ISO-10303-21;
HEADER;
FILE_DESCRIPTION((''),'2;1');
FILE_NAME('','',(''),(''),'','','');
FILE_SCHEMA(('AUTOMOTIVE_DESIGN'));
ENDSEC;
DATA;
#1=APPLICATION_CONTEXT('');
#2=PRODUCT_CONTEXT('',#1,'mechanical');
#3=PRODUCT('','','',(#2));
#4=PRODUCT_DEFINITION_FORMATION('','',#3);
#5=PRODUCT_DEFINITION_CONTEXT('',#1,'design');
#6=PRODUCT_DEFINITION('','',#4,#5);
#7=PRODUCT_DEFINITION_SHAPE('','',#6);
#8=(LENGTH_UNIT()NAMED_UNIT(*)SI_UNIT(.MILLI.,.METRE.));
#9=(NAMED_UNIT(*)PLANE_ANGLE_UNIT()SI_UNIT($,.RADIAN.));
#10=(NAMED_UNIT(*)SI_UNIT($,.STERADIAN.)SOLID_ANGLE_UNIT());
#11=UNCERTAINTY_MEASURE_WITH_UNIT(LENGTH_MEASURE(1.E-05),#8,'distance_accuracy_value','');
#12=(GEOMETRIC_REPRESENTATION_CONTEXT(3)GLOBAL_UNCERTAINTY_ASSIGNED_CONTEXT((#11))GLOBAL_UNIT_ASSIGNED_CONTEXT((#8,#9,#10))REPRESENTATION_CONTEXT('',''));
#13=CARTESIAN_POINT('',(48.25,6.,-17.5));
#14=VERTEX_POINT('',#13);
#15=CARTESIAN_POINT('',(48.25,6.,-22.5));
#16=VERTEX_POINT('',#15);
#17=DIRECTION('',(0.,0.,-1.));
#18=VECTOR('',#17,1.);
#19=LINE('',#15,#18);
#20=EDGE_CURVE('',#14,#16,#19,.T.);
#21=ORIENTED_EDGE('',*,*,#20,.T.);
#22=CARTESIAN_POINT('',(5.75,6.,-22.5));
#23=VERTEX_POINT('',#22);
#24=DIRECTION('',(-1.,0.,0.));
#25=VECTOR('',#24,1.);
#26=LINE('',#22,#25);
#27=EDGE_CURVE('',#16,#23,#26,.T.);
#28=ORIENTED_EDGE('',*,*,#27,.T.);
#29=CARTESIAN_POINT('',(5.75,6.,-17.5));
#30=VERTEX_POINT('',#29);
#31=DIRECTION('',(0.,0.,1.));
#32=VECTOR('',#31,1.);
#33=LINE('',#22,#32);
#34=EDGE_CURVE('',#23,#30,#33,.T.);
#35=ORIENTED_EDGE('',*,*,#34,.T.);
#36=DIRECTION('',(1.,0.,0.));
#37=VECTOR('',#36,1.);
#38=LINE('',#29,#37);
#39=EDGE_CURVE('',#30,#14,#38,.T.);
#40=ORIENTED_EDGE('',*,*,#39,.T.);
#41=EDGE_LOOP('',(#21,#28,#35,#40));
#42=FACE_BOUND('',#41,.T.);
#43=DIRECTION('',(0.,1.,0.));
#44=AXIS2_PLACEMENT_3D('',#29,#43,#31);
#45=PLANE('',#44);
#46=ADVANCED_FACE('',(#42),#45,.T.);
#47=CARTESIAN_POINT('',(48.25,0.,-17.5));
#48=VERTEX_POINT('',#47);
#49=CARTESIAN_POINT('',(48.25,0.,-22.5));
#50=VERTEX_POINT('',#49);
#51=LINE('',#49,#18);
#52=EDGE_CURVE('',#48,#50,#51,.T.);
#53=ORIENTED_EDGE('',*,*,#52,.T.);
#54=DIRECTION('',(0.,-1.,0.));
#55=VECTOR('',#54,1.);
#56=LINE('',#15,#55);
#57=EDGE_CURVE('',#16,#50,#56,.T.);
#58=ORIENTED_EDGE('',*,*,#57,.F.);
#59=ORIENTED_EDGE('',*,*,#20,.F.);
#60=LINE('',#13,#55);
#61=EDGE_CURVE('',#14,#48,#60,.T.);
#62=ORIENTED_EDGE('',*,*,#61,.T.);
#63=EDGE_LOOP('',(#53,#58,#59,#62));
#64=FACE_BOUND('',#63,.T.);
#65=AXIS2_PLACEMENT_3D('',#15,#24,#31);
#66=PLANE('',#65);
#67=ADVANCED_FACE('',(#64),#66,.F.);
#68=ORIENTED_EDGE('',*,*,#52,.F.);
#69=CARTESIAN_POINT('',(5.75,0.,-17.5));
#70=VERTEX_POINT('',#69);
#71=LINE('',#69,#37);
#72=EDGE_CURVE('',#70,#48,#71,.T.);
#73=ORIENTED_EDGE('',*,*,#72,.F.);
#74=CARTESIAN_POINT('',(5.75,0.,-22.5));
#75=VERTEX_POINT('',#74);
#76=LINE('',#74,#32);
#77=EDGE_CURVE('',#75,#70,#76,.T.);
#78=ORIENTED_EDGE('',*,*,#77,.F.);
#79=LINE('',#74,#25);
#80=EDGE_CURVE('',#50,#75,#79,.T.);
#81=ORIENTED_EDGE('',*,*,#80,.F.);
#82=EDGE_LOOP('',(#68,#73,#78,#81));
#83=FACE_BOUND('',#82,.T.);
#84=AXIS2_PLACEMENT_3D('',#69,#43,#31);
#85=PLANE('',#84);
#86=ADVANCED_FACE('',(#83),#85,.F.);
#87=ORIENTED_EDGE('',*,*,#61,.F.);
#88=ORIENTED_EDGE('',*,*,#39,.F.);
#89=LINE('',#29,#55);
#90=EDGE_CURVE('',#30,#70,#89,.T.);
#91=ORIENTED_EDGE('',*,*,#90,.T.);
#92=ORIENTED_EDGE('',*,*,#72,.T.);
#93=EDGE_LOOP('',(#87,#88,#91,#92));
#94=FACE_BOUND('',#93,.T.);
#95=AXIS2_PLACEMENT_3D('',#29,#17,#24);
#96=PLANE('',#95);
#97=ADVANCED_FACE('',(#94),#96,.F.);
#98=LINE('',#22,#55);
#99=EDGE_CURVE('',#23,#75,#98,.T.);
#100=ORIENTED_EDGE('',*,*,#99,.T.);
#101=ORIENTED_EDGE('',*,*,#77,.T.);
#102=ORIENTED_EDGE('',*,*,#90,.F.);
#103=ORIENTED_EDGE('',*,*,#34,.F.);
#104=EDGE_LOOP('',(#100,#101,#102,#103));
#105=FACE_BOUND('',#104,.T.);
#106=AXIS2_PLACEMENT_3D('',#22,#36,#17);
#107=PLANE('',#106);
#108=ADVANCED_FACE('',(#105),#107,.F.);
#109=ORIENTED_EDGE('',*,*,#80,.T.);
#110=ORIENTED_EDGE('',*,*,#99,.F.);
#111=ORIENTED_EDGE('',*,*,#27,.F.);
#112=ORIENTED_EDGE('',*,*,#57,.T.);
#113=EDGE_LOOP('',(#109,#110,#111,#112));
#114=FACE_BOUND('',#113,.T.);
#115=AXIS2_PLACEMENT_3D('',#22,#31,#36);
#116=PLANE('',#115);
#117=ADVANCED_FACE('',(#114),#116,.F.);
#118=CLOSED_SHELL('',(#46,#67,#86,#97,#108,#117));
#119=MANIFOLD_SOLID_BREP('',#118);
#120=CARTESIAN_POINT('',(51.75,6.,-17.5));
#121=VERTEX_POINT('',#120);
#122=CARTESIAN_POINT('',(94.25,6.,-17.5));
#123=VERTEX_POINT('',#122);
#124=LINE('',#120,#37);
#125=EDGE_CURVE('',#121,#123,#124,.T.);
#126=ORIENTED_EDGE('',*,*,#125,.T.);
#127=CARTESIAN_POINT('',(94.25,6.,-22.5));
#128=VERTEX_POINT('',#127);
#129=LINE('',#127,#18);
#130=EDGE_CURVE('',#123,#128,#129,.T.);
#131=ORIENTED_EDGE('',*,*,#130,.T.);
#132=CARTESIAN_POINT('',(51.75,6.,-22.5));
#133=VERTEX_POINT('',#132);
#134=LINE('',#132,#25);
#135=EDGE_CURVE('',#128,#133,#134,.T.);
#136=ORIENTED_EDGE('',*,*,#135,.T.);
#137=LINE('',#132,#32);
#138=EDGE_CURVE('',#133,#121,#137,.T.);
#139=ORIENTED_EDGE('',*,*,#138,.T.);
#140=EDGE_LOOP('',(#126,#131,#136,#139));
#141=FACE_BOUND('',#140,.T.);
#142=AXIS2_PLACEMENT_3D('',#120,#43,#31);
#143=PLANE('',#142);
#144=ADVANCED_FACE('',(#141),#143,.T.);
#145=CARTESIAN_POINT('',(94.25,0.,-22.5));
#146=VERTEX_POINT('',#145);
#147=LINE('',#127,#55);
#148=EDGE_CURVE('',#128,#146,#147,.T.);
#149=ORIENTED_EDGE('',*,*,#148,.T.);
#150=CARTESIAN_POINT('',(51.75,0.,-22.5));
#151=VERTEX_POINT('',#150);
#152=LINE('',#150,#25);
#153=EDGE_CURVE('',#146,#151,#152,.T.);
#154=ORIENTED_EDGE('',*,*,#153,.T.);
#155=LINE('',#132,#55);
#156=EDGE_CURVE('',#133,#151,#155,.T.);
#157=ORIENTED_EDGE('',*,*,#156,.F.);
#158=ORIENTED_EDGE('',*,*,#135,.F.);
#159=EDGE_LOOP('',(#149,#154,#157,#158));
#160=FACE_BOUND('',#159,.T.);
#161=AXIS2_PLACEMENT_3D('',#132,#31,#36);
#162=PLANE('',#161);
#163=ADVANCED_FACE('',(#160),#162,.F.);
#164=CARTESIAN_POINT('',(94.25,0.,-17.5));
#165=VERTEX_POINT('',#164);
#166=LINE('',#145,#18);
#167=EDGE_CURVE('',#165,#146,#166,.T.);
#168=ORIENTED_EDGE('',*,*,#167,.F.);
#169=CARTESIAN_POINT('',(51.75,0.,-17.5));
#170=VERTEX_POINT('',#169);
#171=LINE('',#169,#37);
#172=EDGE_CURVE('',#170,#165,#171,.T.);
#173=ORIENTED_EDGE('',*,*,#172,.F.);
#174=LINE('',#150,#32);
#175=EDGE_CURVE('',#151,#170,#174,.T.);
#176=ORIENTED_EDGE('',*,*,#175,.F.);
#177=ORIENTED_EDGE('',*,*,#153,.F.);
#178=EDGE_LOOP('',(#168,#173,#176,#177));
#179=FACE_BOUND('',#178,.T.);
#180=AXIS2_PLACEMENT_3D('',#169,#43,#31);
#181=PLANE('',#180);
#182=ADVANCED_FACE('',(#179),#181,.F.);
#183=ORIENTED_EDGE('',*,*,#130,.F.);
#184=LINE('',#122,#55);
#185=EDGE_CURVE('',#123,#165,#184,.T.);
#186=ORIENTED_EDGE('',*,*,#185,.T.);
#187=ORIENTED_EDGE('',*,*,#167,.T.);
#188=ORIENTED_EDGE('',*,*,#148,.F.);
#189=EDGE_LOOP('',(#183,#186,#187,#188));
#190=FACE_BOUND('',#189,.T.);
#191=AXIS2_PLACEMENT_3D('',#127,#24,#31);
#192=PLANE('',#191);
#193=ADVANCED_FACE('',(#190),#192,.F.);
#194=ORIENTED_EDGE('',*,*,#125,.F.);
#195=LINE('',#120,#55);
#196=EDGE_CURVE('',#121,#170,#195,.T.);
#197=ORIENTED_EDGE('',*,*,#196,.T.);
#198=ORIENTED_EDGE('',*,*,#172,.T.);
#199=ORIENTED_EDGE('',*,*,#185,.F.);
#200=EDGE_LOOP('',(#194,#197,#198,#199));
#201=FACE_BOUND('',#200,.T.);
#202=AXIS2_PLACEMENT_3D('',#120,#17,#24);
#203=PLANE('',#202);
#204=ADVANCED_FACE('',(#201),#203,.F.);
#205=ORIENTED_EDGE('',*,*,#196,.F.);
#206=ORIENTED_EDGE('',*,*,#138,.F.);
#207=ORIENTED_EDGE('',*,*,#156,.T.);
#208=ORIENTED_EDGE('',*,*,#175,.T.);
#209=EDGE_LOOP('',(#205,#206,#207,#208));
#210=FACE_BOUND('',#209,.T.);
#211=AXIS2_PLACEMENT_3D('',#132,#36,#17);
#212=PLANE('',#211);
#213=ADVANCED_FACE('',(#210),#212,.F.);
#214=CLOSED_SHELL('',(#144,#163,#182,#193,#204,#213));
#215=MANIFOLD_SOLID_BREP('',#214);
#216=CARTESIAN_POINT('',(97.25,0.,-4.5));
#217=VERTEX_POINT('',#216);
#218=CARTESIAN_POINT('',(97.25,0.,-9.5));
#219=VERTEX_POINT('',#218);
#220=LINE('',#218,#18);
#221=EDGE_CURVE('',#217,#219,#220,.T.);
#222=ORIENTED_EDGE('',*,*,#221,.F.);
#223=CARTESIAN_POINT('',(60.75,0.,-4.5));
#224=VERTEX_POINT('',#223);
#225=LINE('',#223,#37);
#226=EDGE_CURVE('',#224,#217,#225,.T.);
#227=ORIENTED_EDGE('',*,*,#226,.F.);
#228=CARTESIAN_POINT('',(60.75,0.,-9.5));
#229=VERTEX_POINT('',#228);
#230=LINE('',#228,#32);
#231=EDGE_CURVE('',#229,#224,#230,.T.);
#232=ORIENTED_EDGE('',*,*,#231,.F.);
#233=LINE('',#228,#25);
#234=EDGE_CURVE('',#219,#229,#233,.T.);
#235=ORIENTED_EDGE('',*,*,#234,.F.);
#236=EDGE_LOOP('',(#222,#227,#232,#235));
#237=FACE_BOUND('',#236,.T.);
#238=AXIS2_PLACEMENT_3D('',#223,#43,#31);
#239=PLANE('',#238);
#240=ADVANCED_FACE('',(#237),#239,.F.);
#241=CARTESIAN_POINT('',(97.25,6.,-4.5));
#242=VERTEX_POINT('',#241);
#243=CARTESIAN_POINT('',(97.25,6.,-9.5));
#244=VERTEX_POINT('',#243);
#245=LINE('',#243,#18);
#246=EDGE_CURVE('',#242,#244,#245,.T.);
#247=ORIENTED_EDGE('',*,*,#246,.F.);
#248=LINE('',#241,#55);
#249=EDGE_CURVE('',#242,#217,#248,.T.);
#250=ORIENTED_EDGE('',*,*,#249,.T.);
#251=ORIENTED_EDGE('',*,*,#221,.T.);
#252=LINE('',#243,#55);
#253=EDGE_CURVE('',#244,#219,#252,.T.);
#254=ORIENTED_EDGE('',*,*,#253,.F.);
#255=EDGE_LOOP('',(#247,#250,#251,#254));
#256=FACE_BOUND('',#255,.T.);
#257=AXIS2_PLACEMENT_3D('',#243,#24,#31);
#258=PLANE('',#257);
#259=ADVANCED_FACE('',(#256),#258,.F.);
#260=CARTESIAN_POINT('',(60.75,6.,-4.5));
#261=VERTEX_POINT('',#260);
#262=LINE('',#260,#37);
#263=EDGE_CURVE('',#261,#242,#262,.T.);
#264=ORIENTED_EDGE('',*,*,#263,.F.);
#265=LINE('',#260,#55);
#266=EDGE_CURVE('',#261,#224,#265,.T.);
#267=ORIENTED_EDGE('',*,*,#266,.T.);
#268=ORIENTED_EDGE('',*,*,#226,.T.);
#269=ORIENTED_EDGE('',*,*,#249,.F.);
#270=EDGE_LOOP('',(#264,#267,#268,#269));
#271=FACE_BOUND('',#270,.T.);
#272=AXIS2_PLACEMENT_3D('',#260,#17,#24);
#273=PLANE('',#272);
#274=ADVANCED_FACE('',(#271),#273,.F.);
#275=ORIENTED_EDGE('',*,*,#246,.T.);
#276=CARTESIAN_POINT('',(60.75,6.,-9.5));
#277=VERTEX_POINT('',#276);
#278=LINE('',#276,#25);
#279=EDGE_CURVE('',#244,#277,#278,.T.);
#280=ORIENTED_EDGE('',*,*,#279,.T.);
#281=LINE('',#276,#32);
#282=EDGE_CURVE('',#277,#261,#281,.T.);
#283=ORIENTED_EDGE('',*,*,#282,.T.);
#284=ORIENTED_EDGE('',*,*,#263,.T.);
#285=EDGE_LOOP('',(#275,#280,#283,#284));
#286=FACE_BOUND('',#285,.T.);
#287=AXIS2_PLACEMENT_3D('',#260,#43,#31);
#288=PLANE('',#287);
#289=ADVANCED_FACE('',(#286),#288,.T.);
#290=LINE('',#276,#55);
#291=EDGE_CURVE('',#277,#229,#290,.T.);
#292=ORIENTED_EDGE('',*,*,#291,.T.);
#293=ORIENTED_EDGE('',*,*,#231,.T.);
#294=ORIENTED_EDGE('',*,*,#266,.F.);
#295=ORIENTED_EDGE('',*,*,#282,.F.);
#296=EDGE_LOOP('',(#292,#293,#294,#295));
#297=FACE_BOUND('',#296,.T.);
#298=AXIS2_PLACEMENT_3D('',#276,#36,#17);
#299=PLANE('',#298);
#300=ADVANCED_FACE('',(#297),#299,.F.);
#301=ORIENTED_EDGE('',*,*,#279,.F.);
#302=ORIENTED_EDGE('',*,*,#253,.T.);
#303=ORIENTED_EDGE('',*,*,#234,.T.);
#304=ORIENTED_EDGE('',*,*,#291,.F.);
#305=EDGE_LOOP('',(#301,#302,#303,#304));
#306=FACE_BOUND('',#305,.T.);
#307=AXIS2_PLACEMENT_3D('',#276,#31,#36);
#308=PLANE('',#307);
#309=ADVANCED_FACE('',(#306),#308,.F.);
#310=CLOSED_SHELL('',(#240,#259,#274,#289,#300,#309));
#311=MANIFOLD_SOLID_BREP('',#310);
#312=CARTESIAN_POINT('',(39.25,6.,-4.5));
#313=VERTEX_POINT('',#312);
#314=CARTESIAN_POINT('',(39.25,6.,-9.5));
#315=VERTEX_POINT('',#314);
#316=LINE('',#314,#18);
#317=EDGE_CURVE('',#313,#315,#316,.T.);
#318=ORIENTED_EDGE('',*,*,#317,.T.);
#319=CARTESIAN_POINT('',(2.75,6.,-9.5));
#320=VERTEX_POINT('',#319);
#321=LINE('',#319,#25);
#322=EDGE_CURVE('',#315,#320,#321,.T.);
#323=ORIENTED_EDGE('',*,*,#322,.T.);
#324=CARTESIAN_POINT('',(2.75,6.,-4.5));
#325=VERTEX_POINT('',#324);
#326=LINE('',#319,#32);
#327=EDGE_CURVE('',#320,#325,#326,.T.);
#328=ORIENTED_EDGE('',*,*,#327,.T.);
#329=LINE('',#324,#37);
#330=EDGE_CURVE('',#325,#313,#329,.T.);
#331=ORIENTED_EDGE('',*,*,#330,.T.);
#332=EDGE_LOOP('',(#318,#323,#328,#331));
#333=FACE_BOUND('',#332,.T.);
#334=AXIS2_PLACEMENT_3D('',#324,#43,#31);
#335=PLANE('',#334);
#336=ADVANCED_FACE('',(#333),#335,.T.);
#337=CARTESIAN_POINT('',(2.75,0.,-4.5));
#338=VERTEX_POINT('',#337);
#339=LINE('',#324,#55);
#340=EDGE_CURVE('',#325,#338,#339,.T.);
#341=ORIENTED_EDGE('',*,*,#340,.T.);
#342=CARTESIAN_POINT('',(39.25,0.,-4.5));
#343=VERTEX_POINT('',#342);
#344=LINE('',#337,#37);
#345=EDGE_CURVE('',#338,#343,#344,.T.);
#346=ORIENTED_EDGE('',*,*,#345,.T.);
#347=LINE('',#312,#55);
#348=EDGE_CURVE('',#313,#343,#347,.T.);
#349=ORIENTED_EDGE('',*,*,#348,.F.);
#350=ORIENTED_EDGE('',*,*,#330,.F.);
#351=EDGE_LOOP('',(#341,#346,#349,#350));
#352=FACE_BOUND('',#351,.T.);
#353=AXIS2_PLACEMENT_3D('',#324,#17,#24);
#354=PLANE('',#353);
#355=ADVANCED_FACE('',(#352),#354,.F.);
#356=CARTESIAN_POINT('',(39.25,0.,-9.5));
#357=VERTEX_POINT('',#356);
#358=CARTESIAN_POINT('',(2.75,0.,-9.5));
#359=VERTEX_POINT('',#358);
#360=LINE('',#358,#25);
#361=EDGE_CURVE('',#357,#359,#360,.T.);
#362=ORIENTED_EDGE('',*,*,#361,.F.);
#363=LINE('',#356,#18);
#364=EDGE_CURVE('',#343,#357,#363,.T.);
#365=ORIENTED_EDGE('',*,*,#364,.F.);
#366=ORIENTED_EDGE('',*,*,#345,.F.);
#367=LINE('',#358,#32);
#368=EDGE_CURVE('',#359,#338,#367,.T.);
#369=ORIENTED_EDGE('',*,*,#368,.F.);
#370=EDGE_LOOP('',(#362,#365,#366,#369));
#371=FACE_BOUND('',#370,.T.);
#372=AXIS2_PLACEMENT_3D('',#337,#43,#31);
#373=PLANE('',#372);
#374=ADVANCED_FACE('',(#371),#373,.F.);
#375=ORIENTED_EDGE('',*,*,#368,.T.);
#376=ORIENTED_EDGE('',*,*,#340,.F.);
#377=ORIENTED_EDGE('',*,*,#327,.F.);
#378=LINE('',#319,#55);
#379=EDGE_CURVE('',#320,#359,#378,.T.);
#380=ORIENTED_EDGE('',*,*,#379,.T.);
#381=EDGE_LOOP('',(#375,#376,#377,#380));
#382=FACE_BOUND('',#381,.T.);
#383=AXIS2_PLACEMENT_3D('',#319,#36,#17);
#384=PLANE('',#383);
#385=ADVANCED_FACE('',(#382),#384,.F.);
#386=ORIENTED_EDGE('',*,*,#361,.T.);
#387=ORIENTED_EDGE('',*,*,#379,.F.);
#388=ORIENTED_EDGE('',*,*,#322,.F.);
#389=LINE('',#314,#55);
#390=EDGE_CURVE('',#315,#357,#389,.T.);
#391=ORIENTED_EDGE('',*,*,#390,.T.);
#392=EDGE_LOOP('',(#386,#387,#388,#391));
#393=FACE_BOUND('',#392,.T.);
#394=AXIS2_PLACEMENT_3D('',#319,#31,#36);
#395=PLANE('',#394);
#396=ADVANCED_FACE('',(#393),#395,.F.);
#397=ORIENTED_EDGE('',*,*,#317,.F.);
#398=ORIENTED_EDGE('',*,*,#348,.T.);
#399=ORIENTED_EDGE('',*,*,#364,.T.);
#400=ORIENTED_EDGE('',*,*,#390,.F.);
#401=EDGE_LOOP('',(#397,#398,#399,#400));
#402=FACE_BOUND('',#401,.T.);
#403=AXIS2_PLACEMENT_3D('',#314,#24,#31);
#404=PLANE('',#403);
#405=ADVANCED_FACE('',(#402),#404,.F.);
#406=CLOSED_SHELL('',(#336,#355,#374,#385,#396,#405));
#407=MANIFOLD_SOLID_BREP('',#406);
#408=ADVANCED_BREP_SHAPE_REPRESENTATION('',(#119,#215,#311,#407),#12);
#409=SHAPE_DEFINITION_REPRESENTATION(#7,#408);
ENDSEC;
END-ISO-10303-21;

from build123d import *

# Parameters (mm, degrees)
SKETCH1_W             = 36.5
SKETCH1_H             = 5
BOSS_EXTRUDE1_DEPTH   = 6
BOSS_EXTRUDE1_2_DEPTH = 6
SKETCH1_W_2           = 42.5
BOSS_EXTRUDE1_3_DEPTH = 6
BOSS_EXTRUDE1_4_DEPTH = 6


with BuildPart() as part:
    # Sketch1 → Boss-Extrude1 (new body)
    with BuildSketch(Plane(origin=(0, 0, 0), x_dir=(1, 0, 0), z_dir=(0, 1, 0))):
        with Locations((79, 7)):
            Rectangle(SKETCH1_W, SKETCH1_H)
    extrude(amount=BOSS_EXTRUDE1_DEPTH)


with BuildPart() as body_2:
    # Sketch1 → Boss-Extrude1 2 (new body)
    with BuildSketch(Plane(origin=(0, 0, 0), x_dir=(1, 0, 0), z_dir=(0, 1, 0))):
        with Locations((21, 7)):
            Rectangle(SKETCH1_W, SKETCH1_H)
    extrude(amount=BOSS_EXTRUDE1_2_DEPTH)


with BuildPart() as body_3:
    # Sketch1 → Boss-Extrude1 3 (new body)
    with BuildSketch(Plane(origin=(0, 0, 0), x_dir=(1, 0, 0), z_dir=(0, 1, 0))):
        with Locations((73, 20)):
            Rectangle(SKETCH1_W_2, SKETCH1_H)
    extrude(amount=BOSS_EXTRUDE1_3_DEPTH)


with BuildPart() as body_4:
    # Sketch1 → Boss-Extrude1 4 (new body)
    with BuildSketch(Plane(origin=(0, 0, 0), x_dir=(1, 0, 0), z_dir=(0, 1, 0))):
        with Locations((27, 20)):
            Rectangle(SKETCH1_W_2, SKETCH1_H)
    extrude(amount=BOSS_EXTRUDE1_4_DEPTH)


solid = Compound([part.part, body_2.part, body_3.part, body_4.part])
